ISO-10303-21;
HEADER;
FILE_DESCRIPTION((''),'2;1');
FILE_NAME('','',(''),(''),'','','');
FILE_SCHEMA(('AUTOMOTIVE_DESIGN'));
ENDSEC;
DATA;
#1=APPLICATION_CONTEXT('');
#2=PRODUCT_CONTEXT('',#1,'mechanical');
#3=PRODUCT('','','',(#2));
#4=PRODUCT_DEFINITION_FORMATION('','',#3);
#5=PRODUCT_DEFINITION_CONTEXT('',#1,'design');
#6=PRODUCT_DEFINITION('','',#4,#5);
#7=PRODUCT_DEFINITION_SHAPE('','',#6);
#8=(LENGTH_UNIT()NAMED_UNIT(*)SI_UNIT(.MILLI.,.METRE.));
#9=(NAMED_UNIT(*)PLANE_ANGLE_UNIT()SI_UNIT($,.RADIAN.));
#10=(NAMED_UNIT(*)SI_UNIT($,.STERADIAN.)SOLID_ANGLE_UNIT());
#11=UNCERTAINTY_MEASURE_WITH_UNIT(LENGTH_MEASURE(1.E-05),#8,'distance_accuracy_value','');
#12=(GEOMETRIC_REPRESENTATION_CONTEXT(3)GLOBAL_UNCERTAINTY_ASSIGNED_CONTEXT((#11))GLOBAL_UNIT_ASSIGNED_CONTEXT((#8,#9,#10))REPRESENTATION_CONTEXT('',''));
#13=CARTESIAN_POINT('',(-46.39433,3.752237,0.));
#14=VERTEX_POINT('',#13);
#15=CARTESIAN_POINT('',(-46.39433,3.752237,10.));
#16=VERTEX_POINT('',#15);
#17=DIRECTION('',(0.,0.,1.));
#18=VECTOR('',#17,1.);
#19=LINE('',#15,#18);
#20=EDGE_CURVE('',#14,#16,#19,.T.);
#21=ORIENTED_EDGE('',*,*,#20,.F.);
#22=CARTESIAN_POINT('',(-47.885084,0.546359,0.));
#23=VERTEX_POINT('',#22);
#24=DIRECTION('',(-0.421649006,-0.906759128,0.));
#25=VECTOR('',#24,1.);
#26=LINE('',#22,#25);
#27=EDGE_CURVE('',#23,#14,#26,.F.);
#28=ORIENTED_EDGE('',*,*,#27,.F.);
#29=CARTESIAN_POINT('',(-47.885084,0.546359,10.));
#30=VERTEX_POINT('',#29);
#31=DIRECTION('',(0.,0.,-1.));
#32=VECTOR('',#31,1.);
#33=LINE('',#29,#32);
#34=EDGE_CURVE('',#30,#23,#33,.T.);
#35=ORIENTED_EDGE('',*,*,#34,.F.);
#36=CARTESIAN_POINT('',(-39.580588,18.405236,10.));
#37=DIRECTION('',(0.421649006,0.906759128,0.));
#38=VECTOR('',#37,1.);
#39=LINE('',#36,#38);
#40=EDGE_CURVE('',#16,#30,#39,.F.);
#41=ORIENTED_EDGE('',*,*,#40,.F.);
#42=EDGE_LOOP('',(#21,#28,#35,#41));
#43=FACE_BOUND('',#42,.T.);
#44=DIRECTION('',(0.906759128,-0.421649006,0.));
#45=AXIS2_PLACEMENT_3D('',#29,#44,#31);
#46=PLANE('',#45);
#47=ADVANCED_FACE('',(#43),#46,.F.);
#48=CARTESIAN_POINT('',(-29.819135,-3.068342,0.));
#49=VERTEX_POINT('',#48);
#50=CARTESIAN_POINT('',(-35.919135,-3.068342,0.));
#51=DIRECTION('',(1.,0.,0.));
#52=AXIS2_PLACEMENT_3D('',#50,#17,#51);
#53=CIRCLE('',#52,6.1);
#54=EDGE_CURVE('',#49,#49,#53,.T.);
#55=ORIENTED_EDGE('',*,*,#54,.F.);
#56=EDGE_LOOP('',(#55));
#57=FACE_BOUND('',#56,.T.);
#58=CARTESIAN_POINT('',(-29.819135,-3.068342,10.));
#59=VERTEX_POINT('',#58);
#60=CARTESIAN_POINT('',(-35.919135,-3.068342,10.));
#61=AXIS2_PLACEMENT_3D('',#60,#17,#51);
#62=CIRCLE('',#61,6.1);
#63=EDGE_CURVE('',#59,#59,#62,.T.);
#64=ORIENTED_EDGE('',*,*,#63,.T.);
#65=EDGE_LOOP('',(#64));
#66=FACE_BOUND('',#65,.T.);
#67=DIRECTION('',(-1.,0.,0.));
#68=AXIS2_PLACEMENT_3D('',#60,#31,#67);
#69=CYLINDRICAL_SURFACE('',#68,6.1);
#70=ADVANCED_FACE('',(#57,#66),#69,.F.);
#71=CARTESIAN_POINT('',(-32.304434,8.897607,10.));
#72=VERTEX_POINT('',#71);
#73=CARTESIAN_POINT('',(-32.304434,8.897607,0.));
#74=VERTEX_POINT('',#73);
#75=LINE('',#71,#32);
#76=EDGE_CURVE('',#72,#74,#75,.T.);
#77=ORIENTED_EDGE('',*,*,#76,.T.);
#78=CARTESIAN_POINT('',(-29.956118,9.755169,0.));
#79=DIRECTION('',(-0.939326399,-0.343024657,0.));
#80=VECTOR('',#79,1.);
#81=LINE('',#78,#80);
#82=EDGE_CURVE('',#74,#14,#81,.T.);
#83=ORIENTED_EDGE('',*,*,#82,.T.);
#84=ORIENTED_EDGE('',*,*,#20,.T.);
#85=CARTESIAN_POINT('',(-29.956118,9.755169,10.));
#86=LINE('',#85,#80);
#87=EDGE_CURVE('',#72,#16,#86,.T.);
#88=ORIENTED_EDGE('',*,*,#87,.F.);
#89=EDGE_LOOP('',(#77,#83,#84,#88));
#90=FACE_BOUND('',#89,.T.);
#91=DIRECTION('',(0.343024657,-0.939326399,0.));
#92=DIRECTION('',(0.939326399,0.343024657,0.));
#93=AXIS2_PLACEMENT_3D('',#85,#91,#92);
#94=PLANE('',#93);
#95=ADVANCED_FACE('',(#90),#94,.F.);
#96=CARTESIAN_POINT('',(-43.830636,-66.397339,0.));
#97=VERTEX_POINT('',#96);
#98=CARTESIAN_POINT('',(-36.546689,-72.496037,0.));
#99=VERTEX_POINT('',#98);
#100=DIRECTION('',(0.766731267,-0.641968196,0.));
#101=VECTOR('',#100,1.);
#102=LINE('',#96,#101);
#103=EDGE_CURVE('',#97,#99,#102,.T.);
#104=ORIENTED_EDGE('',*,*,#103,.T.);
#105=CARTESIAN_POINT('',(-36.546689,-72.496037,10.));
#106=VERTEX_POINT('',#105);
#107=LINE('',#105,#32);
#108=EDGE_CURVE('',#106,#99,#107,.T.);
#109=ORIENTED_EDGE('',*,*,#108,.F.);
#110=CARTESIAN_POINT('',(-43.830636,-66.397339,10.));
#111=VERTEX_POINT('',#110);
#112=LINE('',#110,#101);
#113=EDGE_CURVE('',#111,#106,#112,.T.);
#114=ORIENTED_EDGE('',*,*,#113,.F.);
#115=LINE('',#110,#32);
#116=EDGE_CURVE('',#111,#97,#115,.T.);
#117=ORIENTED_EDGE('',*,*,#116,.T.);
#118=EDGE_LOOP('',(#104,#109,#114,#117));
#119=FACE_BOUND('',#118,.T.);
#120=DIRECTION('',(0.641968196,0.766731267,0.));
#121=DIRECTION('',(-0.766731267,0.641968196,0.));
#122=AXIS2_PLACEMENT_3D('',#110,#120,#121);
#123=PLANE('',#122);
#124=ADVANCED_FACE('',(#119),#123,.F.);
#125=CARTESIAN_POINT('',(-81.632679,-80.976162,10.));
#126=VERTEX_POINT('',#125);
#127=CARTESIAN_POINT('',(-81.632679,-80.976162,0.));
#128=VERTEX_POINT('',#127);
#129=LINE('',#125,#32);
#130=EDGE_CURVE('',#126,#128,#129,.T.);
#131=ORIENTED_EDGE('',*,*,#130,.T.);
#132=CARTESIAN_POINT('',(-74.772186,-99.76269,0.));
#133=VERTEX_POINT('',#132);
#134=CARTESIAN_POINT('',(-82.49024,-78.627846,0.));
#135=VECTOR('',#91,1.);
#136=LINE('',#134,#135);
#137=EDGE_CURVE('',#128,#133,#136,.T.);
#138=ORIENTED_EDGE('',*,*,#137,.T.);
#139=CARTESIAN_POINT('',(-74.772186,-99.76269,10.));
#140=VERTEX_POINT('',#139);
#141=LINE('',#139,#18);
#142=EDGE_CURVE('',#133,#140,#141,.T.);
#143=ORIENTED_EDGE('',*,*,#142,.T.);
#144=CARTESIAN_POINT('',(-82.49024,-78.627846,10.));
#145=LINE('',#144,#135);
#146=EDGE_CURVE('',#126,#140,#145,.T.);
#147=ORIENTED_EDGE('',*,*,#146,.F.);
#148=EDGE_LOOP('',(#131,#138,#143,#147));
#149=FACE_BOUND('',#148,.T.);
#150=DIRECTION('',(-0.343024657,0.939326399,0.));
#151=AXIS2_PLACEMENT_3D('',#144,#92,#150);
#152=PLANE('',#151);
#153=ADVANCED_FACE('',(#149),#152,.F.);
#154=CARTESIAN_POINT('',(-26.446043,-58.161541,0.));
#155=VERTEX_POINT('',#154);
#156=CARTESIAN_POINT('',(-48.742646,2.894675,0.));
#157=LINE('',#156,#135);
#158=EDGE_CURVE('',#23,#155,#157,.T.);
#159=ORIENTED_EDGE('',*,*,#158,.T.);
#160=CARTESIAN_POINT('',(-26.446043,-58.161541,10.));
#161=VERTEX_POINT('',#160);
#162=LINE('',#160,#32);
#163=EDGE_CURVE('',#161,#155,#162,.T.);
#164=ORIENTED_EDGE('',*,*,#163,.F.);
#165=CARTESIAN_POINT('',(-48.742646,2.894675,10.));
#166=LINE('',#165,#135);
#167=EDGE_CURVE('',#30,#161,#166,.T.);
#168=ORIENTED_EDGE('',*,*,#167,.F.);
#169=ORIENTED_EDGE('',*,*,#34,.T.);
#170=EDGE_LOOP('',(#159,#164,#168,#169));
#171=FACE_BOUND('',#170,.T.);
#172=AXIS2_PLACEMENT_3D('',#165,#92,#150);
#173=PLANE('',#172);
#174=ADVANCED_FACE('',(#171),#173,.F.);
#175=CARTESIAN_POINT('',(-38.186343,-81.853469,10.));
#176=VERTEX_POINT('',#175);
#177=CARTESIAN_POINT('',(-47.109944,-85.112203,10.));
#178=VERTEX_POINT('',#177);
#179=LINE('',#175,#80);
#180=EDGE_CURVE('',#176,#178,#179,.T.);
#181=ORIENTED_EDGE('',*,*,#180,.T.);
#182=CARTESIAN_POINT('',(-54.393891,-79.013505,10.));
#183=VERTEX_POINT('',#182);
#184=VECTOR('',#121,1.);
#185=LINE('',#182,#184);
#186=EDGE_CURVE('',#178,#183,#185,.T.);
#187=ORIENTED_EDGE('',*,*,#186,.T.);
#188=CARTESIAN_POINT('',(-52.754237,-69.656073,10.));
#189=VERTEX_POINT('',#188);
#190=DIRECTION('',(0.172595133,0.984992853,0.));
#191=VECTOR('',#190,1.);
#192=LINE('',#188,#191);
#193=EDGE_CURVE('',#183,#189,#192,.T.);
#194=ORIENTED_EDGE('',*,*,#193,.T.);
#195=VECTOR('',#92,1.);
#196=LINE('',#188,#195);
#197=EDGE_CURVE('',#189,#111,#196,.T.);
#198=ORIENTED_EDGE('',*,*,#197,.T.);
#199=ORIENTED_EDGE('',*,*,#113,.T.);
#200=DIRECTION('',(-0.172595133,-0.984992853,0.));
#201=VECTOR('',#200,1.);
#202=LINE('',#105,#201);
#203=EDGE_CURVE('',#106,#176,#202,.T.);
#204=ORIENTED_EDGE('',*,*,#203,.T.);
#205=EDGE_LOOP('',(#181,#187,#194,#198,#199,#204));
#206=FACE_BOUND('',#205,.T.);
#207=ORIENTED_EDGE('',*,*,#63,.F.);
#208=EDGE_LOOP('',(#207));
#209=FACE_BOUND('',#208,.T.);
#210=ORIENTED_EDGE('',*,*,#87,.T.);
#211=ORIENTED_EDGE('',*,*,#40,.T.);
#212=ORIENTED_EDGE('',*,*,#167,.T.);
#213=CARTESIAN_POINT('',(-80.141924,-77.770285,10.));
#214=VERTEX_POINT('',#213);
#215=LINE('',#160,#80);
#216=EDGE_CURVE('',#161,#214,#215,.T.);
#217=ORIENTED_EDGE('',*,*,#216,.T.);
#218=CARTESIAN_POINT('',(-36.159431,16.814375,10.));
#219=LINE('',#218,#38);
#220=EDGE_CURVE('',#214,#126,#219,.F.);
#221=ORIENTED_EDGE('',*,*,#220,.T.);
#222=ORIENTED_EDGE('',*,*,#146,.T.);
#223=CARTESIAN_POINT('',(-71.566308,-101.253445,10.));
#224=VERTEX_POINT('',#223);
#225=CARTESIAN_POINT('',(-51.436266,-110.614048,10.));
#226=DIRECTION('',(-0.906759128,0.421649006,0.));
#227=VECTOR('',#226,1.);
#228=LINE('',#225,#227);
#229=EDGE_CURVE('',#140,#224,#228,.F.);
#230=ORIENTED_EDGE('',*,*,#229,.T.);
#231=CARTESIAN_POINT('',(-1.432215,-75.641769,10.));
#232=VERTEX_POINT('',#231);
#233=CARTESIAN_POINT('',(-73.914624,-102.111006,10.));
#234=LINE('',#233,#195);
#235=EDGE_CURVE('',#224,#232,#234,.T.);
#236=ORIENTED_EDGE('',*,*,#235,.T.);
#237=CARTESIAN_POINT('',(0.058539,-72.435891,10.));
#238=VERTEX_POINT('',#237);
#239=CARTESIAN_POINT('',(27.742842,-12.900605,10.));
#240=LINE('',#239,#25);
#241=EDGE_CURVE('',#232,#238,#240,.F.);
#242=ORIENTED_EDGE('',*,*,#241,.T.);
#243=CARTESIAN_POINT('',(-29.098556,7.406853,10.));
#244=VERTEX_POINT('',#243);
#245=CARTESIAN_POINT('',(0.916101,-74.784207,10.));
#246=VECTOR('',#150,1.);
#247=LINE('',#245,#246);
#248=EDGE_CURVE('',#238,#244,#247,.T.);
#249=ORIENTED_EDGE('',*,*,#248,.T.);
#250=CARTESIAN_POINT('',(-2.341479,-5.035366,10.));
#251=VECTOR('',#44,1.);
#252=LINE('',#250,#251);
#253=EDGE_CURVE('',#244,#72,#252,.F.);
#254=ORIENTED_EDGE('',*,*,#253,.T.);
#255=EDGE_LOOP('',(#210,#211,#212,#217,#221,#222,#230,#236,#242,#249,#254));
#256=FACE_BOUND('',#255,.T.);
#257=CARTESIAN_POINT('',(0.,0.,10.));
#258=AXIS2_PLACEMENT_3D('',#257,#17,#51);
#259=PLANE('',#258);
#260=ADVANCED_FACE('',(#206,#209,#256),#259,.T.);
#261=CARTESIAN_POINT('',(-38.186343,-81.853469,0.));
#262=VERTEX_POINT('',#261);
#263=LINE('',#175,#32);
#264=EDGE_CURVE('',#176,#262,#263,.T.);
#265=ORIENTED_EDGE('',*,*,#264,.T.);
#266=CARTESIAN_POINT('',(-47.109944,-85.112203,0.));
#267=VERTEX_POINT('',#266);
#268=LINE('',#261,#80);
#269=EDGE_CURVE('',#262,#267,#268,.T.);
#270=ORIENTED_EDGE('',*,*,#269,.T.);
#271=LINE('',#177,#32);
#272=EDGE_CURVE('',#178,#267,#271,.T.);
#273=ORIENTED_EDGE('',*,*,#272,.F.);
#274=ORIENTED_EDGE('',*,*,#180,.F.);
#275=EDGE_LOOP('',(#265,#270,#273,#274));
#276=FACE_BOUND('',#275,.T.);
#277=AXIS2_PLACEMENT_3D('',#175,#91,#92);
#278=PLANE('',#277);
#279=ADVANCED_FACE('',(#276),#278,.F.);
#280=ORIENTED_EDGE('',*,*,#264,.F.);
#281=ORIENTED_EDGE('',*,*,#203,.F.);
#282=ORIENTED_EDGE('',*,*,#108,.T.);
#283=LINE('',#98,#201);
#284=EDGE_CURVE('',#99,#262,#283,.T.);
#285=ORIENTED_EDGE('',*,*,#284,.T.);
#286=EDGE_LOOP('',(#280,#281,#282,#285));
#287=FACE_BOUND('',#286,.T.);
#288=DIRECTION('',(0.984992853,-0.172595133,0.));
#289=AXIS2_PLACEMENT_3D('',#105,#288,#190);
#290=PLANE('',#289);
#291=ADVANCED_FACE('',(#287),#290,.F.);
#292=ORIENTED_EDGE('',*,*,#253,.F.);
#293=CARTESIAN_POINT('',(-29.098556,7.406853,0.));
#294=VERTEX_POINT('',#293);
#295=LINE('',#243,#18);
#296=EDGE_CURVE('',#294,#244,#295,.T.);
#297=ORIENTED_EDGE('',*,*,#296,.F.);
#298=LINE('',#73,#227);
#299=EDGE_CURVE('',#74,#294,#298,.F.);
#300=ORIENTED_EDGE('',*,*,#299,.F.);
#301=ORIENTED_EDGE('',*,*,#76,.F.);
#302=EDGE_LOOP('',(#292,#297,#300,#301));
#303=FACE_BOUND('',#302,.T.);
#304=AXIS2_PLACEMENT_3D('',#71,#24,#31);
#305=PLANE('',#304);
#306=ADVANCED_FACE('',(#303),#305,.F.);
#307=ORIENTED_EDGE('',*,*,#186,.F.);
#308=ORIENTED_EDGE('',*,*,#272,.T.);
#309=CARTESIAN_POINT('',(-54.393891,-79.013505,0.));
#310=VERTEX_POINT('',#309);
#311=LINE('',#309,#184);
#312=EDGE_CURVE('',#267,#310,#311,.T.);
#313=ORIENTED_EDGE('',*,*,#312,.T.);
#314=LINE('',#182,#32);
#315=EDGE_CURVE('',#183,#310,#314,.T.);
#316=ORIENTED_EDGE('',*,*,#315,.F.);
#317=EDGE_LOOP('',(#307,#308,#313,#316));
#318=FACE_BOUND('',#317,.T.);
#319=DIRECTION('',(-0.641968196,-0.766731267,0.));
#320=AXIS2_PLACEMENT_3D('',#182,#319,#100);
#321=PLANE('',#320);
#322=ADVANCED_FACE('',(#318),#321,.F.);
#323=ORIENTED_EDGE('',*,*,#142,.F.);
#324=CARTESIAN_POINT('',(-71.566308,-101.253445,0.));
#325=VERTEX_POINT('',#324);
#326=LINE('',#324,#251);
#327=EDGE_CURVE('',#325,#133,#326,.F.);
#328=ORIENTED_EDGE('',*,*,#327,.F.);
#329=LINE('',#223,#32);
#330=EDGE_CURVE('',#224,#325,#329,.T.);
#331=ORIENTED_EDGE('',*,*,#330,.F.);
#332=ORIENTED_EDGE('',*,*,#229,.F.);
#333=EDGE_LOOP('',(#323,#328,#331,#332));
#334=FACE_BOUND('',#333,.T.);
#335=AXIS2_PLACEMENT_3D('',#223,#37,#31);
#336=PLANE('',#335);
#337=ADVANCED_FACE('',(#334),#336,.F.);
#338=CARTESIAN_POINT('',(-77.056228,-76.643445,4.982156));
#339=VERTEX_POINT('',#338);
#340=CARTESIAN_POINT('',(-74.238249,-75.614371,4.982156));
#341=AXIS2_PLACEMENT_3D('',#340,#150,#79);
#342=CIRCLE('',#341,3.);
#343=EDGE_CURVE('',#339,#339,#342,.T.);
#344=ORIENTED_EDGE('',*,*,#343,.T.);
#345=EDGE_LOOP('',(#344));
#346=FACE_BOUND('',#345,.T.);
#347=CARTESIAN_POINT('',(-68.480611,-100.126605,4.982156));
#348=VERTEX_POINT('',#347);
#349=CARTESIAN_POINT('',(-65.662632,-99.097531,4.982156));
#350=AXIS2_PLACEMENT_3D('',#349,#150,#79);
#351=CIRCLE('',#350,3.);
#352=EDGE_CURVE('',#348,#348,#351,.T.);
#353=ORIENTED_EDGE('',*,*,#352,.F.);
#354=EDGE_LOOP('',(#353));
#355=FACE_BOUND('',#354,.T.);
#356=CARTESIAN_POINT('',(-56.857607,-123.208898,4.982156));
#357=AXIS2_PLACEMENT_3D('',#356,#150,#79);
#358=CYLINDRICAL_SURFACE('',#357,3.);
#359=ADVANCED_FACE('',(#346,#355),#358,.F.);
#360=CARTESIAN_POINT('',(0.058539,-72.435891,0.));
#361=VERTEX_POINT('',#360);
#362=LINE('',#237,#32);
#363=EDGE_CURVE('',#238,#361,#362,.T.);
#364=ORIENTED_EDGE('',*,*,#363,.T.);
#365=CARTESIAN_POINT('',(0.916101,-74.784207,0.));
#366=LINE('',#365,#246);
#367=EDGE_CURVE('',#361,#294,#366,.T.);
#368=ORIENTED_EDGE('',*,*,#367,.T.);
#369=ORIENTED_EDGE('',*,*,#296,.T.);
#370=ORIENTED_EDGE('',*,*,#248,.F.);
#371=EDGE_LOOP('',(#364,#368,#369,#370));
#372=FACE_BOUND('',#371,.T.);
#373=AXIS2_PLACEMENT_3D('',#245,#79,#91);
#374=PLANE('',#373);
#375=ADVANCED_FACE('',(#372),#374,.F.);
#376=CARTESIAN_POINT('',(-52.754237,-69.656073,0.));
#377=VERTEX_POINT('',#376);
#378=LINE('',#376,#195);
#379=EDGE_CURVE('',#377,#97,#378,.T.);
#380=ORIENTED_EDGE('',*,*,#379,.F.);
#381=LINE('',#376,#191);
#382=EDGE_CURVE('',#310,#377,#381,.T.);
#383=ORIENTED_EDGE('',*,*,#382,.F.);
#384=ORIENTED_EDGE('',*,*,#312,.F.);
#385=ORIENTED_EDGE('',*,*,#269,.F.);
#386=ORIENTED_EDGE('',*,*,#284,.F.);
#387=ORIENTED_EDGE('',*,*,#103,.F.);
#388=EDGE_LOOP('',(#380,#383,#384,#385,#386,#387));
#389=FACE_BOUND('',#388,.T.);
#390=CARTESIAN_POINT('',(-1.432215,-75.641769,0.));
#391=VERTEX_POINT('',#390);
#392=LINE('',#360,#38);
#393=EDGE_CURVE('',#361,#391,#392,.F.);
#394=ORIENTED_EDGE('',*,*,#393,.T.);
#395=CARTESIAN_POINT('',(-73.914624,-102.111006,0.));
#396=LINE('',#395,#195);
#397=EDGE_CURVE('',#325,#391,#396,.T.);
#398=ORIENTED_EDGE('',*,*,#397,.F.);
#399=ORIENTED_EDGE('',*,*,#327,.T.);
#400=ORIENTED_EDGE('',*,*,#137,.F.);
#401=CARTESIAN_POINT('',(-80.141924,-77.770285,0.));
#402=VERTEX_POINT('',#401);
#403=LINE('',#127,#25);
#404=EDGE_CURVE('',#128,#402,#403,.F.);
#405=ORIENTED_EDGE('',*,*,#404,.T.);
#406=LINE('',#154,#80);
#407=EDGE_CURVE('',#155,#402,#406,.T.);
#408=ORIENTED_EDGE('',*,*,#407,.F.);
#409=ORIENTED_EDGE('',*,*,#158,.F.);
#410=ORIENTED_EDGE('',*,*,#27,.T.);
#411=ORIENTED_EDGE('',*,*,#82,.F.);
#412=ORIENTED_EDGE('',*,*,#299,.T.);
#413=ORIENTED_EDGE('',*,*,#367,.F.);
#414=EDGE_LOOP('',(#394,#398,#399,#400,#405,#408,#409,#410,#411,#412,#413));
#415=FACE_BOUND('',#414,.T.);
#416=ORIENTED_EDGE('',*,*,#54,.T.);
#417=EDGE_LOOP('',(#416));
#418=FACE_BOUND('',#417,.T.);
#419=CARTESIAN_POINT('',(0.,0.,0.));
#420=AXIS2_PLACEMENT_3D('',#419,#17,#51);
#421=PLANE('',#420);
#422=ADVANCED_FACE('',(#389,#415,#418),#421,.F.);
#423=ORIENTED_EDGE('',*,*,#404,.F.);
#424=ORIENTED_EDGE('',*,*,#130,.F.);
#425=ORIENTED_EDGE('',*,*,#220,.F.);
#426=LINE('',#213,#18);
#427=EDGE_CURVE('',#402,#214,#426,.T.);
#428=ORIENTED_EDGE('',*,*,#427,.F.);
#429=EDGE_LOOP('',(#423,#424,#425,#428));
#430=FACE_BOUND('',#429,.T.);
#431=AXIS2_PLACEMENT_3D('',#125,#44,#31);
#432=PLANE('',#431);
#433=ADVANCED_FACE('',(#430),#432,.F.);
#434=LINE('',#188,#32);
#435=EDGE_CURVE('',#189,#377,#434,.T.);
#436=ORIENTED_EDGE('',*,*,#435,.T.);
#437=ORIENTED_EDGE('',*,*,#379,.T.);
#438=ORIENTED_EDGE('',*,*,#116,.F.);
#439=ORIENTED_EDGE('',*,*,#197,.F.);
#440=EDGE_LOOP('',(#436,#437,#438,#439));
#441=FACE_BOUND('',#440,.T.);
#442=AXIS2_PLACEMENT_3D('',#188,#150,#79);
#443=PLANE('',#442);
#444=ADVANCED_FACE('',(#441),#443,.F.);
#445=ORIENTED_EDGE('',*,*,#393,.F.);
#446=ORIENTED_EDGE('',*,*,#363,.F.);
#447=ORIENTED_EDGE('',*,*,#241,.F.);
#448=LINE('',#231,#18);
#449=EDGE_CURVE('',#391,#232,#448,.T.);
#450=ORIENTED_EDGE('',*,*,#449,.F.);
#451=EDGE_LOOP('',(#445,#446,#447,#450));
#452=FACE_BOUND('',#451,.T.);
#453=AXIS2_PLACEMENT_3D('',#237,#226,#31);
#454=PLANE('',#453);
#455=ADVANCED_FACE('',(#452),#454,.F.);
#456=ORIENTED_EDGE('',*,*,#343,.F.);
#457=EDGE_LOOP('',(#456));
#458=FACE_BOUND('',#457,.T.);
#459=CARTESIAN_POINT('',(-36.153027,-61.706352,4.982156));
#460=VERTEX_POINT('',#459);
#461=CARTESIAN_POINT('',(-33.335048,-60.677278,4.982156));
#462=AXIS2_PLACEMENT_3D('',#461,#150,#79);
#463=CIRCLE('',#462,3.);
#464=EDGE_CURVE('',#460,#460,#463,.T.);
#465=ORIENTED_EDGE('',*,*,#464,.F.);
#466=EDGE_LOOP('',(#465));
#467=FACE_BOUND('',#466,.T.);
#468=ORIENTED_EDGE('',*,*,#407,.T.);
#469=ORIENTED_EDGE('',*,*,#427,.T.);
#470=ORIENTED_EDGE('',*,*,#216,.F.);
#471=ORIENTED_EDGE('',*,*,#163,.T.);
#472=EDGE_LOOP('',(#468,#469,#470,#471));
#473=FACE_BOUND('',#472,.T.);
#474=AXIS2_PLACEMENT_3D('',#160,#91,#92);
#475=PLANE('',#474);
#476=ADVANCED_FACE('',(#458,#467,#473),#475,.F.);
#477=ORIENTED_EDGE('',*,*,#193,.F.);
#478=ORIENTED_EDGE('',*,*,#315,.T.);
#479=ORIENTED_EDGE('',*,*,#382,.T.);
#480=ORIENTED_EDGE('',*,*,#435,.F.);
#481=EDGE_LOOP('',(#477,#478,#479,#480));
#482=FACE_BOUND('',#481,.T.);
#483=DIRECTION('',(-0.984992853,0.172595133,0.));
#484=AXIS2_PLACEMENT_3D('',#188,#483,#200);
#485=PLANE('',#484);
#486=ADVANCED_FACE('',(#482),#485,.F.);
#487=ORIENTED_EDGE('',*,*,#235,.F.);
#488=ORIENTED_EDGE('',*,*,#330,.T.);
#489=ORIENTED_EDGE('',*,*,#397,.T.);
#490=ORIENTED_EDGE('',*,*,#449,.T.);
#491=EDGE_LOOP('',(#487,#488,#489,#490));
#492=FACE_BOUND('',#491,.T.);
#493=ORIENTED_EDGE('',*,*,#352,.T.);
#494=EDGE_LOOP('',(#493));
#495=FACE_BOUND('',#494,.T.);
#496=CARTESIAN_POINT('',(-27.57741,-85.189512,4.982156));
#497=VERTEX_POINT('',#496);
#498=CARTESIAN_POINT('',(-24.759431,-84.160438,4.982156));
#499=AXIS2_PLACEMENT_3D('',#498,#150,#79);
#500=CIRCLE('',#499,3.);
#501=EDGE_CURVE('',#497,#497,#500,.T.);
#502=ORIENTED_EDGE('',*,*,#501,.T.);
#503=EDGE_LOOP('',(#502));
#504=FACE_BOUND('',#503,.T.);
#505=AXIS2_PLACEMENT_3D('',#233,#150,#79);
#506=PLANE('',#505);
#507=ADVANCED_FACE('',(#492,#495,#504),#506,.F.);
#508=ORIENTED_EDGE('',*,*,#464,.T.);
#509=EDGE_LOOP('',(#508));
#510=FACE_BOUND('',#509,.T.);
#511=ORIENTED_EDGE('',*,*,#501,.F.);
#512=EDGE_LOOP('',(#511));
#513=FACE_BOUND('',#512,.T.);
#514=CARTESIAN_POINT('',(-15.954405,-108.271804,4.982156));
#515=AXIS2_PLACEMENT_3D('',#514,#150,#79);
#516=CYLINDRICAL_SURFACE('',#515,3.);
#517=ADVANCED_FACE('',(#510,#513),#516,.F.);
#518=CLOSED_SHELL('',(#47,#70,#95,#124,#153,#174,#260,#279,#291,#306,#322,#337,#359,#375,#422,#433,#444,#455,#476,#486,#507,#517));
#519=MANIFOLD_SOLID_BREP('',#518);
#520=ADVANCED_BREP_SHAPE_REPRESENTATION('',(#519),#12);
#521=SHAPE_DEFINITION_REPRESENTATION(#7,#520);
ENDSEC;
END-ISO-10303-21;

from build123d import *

# Parameters (mm, degrees)
SKETCH_1_R          = 6.1
EXTRUDE_1_DEPTH     = 10
SKETCH_2_R          = 3
CUT_EXTRUDE_2_DEPTH = 116.089044031
CHAMFER_1_SIZE      = 2.5
CUT_EXTRUDE_3_DEPTH = 131.445982376


with BuildPart() as part:
    # 草圖1 → 填料-伸長1 (new body)
    with BuildSketch(Plane.XY):
        Polygon((-29.956118011, 9.755168573), (-48.742646001, 2.894675435), (-26.446043305, -58.161540532), (-82.490240349, -78.627846462), (-73.914623927, -102.111006449), (0.916101107, -74.784207382), align=None)
        with Locations((-35.919135437, -3.068341991)):
            Circle(SKETCH_1_R, mode=Mode.SUBTRACT)
    extrude(amount=EXTRUDE_1_DEPTH)

    # 草圖2 → 除料-伸長2 (cut, through all)
    with BuildSketch(Plane(origin=(15.628555148, -42.796674065, 0), x_dir=(0.9393263994919209, 0.3430246568652819, 0), z_dir=(-0.3430246568652819, 0.939326399491921, 0))):
        with Locations(Location((-95.671540667, -4.982155923, 0), (0, 0, 180))):
            Circle(SKETCH_2_R)
        with Locations(Location((-52.126292594, -4.982155923, 0), (0, 0, 180))):
            Circle(SKETCH_2_R)
    extrude(amount=-CUT_EXTRUDE_2_DEPTH, mode=Mode.SUBTRACT)

    # 導角1
    chamfer_1_edges = [part.edges().sort_by_distance(p)[0] for p in [
        (0.916101107, -74.784207382, 5),
        (-73.914623927, -102.111006449, 5),
        (-82.490240349, -78.627846462, 5),
        (-48.742646001, 2.894675435, 5),
        (-29.956118011, 9.755168573, 5),
    ]]
    chamfer(chamfer_1_edges, length=CHAMFER_1_SIZE)

    # 草圖3 → 除料-伸長3 (cut, through all)
    with BuildSketch(Plane(origin=(0, 0, 0), x_dir=(-1, 0, 0), z_dir=(0, 0, -1))):
        Polygon((52.754237092, -69.656073014), (54.393890854, -79.013505116), (47.10994382, -85.112202978), (38.186343025, -81.853468738), (36.546689263, -72.496036636), (43.830636297, -66.397338774), align=None)
    extrude(amount=-CUT_EXTRUDE_3_DEPTH, mode=Mode.SUBTRACT)


solid = part.part
